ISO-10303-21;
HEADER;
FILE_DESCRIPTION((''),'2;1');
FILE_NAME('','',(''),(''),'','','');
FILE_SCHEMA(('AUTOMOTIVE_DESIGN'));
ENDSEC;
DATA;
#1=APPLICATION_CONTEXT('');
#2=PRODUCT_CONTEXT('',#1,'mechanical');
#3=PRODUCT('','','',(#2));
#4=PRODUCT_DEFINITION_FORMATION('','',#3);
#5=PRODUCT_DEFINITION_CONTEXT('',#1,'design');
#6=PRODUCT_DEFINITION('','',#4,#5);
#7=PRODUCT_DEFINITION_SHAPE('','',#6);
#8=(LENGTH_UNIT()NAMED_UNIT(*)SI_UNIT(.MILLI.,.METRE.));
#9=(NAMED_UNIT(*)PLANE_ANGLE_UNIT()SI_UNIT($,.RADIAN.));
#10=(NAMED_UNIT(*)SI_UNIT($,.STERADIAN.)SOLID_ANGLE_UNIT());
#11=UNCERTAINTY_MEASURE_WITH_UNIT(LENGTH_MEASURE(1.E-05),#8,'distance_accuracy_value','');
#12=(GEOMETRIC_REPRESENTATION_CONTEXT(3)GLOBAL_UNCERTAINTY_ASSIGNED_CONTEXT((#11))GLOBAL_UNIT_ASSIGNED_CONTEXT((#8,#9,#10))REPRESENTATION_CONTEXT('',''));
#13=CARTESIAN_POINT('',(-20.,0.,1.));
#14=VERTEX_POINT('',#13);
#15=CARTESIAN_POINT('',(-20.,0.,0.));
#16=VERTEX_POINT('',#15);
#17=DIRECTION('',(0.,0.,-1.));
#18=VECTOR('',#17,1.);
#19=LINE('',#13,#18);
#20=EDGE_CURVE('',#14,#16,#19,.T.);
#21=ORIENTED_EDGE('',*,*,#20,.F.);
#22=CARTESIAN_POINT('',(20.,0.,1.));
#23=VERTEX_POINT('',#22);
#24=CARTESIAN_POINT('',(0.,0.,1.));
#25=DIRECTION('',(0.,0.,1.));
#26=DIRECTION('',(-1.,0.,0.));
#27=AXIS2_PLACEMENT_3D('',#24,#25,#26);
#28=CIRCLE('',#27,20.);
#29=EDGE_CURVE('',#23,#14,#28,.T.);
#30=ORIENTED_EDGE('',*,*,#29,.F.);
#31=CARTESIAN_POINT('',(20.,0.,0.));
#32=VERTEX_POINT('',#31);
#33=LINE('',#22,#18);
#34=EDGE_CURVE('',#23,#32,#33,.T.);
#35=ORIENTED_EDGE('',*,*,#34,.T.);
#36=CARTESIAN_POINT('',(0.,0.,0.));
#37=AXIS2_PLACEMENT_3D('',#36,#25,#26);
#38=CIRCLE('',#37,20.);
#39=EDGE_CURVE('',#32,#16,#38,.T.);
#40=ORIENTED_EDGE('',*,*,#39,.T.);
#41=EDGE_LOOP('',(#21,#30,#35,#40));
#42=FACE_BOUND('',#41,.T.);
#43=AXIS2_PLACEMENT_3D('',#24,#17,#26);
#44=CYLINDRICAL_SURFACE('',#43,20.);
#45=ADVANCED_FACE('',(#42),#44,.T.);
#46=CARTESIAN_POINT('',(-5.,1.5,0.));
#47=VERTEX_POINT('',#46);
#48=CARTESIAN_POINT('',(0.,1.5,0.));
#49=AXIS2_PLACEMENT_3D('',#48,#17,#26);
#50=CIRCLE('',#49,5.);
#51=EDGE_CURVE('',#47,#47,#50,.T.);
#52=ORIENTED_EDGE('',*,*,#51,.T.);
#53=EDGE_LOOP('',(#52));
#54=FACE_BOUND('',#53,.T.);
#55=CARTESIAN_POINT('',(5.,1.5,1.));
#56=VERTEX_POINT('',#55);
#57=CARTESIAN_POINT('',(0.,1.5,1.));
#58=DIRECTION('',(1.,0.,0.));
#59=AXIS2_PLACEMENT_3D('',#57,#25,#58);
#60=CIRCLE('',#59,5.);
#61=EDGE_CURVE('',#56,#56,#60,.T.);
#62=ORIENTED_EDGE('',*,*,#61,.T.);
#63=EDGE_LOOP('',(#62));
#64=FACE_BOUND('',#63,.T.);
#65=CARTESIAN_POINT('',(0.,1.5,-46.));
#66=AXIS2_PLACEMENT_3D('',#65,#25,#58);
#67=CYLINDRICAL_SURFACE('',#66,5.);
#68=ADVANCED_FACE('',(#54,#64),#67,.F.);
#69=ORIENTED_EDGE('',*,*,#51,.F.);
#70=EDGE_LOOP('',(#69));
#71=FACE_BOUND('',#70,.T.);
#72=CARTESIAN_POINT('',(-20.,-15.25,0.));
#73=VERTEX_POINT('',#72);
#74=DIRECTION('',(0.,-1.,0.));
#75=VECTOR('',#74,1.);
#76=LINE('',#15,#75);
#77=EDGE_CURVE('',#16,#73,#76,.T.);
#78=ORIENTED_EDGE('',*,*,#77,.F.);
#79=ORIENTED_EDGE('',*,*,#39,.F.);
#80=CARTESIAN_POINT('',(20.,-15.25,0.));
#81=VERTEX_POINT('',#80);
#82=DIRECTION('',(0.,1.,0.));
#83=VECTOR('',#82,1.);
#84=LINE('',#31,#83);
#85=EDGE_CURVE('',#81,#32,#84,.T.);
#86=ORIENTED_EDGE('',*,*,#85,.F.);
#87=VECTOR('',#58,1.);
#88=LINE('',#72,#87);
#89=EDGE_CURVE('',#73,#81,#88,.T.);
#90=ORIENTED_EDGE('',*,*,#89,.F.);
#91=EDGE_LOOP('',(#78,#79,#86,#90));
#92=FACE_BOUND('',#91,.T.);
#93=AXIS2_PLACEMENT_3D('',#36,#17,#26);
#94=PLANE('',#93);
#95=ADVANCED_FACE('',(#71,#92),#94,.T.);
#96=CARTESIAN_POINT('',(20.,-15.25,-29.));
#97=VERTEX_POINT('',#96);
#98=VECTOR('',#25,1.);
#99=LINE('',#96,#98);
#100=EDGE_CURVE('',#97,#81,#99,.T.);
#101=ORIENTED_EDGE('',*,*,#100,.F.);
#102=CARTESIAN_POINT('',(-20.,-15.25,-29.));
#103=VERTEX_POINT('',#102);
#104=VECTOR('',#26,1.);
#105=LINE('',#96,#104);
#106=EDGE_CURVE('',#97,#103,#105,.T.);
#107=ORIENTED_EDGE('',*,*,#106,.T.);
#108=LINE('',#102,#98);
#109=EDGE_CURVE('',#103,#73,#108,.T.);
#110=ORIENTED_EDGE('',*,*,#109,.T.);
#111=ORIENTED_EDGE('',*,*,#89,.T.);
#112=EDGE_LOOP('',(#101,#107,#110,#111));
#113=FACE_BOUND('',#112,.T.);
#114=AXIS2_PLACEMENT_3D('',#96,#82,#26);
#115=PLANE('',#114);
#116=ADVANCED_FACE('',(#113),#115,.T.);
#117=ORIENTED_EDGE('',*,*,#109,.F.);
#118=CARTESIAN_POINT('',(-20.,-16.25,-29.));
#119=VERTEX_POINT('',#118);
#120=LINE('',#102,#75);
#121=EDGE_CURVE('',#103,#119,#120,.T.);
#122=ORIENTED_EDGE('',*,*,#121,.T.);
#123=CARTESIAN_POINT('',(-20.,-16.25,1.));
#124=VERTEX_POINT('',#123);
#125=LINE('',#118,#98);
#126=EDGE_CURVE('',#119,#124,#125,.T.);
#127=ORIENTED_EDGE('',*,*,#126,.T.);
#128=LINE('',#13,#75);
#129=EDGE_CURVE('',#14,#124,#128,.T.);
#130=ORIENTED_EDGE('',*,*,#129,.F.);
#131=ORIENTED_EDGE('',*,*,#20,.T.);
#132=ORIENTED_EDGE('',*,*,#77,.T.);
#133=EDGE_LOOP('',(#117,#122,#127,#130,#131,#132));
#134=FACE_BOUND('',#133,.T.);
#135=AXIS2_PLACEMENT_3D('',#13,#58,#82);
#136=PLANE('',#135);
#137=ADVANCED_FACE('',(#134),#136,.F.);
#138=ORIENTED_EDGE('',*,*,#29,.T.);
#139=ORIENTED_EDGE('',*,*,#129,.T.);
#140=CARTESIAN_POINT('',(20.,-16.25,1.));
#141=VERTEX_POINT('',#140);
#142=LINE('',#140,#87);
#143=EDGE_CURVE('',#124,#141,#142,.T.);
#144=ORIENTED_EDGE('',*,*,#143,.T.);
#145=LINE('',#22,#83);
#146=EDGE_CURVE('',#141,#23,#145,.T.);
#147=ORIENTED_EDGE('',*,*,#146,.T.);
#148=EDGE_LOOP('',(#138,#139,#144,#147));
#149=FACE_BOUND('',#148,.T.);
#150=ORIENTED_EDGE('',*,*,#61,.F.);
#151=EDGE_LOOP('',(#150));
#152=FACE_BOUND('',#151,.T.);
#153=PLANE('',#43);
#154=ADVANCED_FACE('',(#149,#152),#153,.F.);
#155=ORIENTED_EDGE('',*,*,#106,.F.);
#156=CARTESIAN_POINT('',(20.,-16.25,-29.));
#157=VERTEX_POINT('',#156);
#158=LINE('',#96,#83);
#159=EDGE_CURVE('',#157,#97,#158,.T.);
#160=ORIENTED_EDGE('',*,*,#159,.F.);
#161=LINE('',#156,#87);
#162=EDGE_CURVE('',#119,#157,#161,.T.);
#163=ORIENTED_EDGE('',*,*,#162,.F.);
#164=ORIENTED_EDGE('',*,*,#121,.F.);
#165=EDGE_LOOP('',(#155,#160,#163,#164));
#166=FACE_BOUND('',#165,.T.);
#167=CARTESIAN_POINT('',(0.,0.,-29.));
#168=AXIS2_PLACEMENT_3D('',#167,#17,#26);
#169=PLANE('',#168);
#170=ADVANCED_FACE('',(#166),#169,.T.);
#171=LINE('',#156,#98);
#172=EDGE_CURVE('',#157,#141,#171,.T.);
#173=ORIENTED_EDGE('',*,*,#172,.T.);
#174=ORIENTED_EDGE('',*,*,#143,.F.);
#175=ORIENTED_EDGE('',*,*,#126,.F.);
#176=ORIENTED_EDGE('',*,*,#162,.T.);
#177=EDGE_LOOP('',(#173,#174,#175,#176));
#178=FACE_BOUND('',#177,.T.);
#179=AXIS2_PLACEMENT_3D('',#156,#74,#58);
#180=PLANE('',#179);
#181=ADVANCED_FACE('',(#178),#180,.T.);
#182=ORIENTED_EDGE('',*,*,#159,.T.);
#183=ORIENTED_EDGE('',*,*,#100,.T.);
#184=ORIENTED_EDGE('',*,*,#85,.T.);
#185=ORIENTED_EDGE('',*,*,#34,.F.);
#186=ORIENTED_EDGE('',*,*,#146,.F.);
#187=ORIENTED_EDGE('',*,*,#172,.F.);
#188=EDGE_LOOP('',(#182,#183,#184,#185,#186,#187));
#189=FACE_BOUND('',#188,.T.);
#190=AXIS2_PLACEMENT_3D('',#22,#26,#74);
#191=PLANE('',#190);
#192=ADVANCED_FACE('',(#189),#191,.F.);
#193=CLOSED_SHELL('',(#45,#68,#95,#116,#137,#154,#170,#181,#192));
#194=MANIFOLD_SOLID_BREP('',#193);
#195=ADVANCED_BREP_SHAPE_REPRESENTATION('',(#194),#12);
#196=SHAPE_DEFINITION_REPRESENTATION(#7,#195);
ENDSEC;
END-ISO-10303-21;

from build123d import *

# Parameters (mm, degrees)
BOSS_EXTRUDE1_DEPTH = 1
SKETCH4_W           = 40
SKETCH4_H           = 1
BOSS_EXTRUDE2_DEPTH = 30
SKETCH5_R           = 5
CUT_EXTRUDE1_DEPTH  = 47


with BuildPart() as part:
    # Sketch3 → Boss-Extrude1 (new body)
    with BuildSketch(Plane.XY):
        with BuildLine():
            Line((-20, 0), (-20, -15.25))
            Line((-20, -15.25), (20, -15.25))
            Line((20, -15.25), (20, 0))
            ThreePointArc((20, 0), (0, 20), (-20, 0))
        make_face()
    extrude(amount=BOSS_EXTRUDE1_DEPTH)

    # Sketch4 → Boss-Extrude2 (add)
    with BuildSketch(Plane.XY.offset(1)):
        with Locations((0, -15.75)):
            Rectangle(SKETCH4_W, SKETCH4_H)
    extrude(amount=-BOSS_EXTRUDE2_DEPTH)

    # Sketch5 → Cut-Extrude1 (cut)
    with BuildSketch(Plane.XY.offset(1)):
        with Locations((0, 1.5)):
            Circle(SKETCH5_R)
    extrude(amount=-CUT_EXTRUDE1_DEPTH, mode=Mode.SUBTRACT)


solid = part.part
